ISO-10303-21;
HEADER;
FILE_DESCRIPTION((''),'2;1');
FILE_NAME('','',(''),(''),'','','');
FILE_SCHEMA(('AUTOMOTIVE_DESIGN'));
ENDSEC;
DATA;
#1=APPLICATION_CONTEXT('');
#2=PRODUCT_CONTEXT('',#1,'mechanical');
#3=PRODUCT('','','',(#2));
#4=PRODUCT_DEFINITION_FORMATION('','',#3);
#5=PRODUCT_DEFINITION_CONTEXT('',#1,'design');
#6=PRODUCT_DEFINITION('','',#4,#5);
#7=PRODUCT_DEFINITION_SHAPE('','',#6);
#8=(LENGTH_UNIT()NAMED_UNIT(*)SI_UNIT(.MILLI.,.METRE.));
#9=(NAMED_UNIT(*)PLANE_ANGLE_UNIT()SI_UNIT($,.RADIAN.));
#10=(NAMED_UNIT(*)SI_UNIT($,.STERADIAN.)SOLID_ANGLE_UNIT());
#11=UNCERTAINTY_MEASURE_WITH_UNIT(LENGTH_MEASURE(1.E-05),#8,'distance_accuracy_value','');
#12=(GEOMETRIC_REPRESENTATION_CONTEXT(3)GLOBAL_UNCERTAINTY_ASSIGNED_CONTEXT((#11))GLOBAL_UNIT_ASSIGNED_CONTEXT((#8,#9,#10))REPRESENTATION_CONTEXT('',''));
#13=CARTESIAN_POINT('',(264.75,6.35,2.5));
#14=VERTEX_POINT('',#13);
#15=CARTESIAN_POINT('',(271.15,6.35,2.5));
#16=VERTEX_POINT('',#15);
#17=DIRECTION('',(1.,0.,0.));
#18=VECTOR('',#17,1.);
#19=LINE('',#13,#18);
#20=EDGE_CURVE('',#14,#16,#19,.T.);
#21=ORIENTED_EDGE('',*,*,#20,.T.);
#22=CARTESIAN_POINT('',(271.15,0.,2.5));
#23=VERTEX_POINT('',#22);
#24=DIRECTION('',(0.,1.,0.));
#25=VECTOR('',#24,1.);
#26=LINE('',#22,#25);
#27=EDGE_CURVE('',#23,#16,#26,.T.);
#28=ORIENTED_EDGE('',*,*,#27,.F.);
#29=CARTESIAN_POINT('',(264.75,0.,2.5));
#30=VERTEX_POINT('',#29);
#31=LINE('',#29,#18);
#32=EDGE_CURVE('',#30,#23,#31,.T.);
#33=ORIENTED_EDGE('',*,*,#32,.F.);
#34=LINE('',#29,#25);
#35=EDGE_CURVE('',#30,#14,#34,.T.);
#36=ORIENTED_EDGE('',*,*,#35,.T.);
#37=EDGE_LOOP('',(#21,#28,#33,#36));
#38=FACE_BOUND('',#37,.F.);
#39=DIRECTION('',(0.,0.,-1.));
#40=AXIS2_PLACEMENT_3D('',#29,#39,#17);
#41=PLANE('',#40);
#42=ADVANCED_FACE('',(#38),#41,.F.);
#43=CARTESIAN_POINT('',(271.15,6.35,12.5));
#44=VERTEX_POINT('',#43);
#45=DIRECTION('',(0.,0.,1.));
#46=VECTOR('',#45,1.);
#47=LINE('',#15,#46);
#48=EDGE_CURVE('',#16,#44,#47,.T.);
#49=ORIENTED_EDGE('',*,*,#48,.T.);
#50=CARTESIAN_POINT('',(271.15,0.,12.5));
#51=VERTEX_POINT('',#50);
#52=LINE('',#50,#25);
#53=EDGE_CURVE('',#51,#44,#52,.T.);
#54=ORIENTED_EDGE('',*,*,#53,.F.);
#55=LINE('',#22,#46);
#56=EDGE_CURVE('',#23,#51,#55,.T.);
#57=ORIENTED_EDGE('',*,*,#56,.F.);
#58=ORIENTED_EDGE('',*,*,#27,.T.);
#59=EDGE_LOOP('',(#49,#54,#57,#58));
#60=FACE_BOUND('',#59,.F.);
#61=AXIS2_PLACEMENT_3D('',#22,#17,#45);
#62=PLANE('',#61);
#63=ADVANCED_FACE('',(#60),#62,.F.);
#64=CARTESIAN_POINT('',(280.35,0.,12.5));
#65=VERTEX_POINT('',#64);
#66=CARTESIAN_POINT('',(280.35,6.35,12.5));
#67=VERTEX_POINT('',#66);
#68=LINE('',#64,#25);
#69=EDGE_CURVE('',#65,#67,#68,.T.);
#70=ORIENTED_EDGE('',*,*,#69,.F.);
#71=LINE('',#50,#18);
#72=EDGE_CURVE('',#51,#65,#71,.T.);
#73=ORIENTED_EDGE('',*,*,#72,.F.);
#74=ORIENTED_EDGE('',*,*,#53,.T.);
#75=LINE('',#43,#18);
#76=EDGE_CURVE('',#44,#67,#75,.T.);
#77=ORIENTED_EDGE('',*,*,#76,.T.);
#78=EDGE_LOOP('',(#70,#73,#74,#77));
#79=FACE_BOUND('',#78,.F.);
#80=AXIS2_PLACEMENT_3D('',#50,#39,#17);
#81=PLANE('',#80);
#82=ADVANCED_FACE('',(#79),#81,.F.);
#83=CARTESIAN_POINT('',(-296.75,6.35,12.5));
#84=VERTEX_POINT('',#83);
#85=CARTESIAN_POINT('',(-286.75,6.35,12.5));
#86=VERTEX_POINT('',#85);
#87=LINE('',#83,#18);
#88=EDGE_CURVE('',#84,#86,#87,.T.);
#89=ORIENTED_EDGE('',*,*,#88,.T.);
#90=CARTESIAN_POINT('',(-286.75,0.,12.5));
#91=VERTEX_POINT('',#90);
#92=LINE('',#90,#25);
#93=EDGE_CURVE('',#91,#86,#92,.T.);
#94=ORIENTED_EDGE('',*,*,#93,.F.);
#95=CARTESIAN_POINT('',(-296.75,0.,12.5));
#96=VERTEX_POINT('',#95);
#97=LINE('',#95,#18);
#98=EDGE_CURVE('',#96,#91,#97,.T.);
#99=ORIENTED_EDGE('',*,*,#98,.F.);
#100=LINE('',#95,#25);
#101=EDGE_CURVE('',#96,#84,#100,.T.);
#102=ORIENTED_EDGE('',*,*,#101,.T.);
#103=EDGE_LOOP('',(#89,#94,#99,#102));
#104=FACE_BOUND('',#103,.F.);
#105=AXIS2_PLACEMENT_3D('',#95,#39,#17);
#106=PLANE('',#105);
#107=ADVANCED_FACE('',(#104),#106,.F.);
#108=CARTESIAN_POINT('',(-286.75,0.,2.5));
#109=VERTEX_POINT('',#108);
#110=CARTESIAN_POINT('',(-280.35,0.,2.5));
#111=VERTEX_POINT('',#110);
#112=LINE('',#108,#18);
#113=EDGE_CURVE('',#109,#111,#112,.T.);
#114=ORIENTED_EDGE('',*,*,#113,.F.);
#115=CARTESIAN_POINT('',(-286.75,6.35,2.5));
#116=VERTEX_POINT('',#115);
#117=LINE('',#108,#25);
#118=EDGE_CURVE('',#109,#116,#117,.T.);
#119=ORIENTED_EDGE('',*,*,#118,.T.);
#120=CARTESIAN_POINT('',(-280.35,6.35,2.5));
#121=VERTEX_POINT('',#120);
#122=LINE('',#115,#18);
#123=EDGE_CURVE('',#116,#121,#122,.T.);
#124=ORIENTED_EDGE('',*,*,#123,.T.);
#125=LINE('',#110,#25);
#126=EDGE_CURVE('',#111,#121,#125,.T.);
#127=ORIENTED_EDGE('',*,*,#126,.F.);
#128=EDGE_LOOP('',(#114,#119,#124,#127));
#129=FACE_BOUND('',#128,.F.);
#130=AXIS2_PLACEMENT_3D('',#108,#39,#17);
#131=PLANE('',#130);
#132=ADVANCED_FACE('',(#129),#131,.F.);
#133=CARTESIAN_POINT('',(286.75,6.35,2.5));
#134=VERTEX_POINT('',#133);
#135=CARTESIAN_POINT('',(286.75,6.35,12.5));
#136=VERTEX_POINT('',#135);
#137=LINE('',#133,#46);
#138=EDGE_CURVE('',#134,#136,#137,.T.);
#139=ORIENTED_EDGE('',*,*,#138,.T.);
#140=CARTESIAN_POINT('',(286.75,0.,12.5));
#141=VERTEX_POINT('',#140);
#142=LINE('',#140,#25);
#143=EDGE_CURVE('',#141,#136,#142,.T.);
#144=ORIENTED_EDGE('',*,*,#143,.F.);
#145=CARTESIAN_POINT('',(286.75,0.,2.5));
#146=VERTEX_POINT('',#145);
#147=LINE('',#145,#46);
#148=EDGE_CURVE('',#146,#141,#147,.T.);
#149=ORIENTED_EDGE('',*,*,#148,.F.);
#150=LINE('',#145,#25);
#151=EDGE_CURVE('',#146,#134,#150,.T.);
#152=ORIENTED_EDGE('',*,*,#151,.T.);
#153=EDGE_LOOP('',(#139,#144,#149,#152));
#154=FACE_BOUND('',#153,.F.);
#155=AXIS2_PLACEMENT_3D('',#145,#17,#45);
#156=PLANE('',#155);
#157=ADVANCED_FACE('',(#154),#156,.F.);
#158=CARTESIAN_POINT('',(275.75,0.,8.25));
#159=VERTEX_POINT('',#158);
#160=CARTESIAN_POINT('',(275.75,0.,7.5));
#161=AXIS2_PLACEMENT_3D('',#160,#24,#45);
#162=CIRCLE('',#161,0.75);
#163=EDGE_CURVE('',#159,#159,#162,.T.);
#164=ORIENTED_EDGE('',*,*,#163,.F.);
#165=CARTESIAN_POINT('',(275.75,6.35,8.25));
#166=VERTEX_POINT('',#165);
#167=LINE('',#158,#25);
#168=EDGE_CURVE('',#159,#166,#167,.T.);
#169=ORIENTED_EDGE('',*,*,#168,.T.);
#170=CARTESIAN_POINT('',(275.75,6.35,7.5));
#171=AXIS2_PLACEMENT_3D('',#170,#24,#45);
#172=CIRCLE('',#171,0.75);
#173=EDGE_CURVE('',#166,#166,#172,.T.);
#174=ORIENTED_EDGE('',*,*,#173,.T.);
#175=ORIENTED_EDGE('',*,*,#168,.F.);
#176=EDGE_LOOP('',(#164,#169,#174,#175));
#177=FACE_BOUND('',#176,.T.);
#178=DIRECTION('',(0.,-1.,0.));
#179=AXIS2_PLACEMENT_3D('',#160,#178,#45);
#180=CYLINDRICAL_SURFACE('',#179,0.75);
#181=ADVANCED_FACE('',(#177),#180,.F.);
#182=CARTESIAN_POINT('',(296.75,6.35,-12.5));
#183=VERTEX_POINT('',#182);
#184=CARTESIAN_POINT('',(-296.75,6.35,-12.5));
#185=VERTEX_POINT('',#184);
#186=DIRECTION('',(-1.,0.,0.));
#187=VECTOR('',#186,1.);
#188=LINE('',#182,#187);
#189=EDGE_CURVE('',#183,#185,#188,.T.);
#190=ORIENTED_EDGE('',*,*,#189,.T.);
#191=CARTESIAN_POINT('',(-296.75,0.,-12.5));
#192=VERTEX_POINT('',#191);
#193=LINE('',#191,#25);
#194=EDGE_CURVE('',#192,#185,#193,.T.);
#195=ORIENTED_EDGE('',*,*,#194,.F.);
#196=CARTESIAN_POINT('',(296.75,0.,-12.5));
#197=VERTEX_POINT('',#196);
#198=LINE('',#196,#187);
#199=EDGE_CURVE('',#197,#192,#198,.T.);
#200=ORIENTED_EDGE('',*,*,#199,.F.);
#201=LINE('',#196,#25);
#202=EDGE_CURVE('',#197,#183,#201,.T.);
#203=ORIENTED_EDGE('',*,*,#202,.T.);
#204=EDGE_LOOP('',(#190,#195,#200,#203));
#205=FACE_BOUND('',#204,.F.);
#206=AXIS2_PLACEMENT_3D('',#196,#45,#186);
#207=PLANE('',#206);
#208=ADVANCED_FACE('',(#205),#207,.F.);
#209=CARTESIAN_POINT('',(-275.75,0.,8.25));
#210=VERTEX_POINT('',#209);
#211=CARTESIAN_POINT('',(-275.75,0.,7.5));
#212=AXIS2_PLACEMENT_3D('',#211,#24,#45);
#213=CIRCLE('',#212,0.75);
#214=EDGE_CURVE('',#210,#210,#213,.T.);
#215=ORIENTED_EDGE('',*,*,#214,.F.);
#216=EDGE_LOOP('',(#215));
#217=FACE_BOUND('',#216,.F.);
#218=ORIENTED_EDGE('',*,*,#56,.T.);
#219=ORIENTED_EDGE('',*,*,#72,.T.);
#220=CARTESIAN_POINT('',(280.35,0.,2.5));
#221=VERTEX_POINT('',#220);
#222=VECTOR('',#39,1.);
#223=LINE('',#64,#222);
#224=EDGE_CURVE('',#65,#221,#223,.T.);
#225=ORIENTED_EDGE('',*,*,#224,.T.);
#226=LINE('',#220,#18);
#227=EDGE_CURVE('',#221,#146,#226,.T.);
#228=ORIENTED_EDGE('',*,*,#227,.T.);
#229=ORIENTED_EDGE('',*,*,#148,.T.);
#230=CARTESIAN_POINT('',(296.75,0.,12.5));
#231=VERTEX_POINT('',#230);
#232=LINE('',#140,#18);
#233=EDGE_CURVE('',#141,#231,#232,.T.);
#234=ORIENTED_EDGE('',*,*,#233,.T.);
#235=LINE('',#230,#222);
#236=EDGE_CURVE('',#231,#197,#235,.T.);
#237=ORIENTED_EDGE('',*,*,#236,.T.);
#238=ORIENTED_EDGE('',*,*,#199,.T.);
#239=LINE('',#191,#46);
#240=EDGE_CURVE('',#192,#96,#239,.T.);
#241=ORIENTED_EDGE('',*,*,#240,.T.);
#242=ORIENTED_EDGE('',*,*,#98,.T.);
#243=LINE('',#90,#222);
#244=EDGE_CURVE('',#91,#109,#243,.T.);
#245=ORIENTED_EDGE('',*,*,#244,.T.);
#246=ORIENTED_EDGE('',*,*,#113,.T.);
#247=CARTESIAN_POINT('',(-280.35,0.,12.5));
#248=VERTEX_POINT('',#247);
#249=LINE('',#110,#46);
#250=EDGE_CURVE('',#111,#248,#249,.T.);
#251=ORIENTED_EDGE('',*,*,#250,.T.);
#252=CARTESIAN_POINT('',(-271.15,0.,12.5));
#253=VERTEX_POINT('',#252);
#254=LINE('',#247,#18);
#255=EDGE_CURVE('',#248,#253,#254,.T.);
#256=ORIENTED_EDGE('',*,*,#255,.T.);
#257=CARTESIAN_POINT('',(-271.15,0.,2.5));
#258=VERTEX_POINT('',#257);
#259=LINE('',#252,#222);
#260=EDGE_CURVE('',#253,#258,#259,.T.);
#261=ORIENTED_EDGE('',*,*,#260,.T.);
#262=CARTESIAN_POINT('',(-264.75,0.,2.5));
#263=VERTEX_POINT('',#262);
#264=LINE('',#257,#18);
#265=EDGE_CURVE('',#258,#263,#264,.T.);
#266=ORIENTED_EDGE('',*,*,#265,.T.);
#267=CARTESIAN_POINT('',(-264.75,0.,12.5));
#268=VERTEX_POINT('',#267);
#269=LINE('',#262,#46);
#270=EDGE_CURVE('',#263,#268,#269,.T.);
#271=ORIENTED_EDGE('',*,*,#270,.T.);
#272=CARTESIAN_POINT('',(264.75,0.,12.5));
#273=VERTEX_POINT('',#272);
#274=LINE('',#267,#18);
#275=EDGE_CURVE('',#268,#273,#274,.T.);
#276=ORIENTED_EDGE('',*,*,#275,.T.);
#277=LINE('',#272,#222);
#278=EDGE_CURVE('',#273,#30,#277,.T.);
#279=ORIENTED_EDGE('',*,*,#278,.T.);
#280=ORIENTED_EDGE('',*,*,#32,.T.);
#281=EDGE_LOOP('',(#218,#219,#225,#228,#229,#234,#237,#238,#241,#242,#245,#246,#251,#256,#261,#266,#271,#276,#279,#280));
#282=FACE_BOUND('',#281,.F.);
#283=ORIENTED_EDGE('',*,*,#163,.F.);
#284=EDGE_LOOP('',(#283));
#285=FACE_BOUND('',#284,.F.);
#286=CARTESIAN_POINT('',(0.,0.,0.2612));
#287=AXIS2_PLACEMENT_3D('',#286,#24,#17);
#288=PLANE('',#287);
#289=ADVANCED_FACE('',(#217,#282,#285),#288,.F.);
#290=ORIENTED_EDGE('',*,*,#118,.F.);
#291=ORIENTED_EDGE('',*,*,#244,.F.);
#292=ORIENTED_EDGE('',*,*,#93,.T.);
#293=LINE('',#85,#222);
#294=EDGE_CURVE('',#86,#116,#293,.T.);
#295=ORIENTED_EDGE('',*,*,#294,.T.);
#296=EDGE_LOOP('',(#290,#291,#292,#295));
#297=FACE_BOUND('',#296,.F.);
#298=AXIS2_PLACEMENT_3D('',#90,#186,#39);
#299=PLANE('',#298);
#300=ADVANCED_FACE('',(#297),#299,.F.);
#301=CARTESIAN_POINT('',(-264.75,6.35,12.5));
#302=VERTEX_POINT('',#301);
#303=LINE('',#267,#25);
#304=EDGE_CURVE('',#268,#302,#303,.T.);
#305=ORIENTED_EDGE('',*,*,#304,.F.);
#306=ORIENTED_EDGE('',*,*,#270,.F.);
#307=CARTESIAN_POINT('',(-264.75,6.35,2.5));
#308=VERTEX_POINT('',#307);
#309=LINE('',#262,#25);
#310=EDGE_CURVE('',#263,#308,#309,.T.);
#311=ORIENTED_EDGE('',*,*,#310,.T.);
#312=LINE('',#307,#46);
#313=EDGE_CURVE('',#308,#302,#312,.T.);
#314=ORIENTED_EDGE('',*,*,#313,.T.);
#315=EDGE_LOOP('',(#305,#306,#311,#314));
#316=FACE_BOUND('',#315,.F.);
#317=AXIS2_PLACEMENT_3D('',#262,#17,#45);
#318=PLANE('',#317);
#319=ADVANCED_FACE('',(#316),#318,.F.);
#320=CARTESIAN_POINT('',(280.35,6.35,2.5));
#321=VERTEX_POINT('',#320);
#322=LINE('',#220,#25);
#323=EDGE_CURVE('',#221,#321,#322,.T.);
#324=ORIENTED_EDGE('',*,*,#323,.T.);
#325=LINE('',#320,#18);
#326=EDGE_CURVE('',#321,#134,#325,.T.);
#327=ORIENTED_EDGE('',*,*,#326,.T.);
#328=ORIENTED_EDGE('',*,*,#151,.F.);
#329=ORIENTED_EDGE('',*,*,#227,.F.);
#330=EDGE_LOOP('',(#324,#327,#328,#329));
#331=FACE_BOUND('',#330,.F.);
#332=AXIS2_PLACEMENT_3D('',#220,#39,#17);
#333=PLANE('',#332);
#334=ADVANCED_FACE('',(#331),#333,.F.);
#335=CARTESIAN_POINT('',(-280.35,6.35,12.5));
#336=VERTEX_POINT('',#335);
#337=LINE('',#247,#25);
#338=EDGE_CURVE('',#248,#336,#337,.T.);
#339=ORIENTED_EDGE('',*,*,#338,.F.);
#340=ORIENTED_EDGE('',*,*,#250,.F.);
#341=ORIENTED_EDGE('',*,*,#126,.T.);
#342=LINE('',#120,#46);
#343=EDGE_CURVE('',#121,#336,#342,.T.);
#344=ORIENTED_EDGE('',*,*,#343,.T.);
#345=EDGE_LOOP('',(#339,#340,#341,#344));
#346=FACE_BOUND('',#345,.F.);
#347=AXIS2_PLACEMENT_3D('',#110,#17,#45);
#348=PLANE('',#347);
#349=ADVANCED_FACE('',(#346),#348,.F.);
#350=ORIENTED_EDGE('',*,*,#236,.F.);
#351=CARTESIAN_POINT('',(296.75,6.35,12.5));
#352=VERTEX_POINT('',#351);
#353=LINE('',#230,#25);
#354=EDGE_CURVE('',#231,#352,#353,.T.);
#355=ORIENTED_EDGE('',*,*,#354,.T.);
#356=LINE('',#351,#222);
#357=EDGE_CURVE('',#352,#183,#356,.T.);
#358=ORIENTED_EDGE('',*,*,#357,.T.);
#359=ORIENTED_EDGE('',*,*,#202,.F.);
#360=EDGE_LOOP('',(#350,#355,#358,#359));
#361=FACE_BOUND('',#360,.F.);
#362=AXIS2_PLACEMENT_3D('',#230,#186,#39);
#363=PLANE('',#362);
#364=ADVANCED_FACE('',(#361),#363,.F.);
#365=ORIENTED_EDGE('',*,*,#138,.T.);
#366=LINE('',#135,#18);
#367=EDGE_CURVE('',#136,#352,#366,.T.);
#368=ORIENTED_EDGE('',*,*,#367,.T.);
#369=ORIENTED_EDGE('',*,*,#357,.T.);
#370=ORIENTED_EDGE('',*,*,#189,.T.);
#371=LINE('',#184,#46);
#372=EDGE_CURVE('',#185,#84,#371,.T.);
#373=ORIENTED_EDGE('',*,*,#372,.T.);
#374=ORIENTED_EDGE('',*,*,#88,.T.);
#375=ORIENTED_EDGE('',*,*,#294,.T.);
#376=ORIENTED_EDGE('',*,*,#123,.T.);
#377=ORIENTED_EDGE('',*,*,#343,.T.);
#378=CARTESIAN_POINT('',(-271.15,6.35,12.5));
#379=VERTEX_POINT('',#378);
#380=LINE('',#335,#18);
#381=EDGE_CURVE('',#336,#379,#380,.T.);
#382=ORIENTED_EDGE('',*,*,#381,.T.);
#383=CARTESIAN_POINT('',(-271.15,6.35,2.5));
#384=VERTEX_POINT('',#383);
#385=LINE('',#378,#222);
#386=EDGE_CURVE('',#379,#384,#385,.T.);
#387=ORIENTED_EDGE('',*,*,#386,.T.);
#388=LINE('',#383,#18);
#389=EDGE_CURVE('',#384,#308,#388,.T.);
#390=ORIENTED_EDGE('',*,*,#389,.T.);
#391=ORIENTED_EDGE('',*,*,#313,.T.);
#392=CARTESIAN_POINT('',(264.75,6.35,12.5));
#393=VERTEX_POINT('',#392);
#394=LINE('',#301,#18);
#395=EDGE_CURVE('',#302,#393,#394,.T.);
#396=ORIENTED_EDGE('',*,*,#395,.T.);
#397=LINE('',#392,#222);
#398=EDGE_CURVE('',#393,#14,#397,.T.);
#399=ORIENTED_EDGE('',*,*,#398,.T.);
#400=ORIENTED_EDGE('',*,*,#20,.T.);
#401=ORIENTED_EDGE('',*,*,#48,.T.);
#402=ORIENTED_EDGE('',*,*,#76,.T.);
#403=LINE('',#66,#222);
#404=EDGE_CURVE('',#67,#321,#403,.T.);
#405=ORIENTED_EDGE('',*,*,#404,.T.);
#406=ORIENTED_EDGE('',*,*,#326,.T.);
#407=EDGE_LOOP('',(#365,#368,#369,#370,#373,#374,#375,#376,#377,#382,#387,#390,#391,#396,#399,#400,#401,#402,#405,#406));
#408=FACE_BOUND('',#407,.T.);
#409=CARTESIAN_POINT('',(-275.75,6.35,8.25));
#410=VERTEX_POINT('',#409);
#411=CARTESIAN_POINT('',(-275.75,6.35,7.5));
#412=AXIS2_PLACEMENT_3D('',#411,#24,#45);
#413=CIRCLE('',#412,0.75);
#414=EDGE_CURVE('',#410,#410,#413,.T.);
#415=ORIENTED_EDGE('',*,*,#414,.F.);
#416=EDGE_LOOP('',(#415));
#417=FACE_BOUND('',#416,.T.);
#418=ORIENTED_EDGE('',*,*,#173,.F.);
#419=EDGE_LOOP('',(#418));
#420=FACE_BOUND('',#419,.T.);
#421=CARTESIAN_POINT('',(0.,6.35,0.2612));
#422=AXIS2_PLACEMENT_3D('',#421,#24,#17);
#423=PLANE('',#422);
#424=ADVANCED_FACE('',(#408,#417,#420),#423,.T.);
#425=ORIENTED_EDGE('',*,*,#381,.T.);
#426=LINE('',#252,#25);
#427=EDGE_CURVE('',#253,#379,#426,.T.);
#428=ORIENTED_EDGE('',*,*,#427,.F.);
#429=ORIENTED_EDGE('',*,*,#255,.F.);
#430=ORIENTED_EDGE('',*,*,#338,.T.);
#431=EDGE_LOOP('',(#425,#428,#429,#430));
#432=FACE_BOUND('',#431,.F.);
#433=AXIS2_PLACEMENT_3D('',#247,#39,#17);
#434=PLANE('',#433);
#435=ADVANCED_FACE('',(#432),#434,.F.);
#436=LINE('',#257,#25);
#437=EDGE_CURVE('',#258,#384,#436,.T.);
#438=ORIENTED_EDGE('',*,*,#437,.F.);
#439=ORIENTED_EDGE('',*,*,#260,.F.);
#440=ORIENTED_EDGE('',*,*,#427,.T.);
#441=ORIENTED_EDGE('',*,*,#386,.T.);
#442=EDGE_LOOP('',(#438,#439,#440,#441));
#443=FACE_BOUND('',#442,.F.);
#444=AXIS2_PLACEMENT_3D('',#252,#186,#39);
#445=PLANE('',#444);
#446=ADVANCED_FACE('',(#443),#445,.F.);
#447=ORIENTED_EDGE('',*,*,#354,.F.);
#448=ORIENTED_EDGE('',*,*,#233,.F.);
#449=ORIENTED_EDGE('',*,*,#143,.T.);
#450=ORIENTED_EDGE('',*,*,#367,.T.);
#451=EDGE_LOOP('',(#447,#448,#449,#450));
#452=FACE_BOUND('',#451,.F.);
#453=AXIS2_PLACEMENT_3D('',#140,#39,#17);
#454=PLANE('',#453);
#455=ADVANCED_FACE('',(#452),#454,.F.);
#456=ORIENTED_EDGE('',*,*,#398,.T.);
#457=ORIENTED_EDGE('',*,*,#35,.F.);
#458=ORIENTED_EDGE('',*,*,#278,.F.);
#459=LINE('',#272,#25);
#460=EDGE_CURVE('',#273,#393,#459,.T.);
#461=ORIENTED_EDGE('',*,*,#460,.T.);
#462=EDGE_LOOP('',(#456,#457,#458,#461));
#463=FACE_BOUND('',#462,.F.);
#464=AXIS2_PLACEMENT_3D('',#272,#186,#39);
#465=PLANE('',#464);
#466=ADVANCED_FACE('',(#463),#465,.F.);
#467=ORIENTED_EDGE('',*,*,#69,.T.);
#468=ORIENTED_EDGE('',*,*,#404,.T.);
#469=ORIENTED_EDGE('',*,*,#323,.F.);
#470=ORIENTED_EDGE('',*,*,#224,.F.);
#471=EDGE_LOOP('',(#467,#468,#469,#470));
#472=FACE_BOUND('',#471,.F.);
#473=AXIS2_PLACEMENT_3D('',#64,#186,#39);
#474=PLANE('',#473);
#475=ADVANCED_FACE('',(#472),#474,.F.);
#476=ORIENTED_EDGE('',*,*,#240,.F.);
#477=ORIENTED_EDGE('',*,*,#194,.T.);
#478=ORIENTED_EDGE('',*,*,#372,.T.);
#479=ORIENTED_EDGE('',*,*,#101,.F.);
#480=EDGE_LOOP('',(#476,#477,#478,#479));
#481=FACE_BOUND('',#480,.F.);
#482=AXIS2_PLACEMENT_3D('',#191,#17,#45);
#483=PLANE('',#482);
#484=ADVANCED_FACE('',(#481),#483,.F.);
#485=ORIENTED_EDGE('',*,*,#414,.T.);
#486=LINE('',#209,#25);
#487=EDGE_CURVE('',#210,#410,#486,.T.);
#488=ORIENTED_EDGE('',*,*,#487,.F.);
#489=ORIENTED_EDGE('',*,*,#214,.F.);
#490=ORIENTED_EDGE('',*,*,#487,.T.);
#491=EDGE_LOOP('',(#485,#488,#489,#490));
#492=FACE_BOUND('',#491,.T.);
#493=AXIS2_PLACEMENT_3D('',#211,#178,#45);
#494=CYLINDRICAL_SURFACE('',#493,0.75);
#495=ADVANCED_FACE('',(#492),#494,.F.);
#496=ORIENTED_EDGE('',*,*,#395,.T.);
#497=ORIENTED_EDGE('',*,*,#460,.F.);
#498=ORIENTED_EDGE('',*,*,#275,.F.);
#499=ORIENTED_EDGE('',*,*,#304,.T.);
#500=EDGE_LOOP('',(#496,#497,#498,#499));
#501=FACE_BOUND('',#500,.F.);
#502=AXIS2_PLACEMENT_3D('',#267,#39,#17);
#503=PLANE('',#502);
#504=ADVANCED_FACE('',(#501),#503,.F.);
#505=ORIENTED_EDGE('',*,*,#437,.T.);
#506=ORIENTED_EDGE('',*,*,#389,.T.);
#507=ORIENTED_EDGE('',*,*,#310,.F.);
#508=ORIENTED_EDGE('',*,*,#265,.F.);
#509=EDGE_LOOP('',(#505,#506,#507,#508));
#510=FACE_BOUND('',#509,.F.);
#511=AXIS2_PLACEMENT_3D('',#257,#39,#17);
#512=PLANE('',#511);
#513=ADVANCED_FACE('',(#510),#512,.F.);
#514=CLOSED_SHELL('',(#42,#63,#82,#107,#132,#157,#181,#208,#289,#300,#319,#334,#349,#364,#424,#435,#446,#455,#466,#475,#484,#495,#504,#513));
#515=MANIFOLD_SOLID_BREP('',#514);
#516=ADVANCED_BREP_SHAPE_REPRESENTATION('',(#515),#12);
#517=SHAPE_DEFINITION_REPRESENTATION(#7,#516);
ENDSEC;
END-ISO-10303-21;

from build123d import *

# Parameters (mm, degrees)
SKETCH1_R           = 0.75
BOSS_EXTRUDE1_DEPTH = 6.35


with BuildPart() as part:
    # Sketch1 → Boss-Extrude1 (new body)
    with BuildSketch(Plane(origin=(0, 0, 0), x_dir=(1, 0, 0), z_dir=(0, 1, 0))):
        Polygon((296.75, 12.5), (-296.75, 12.5), (-296.75, -12.5), (-286.75, -12.5), (-286.75, -2.5), (-280.35, -2.5), (-280.35, -12.5), (-271.15, -12.5), (-271.15, -2.5), (-264.75, -2.5), (-264.75, -12.5), (264.75, -12.5), (264.75, -2.5), (271.15, -2.5), (271.15, -12.5), (280.35, -12.5), (280.35, -2.5), (286.75, -2.5), (286.75, -12.5), (296.75, -12.5), align=None)
        with Locations(Location((-275.75, -7.5, 0), (0, 0, 270))):
            Circle(SKETCH1_R, mode=Mode.SUBTRACT)
        with Locations(Location((275.75, -7.5, 0), (0, 0, 270))):
            Circle(SKETCH1_R, mode=Mode.SUBTRACT)
    extrude(amount=BOSS_EXTRUDE1_DEPTH)


solid = part.part
